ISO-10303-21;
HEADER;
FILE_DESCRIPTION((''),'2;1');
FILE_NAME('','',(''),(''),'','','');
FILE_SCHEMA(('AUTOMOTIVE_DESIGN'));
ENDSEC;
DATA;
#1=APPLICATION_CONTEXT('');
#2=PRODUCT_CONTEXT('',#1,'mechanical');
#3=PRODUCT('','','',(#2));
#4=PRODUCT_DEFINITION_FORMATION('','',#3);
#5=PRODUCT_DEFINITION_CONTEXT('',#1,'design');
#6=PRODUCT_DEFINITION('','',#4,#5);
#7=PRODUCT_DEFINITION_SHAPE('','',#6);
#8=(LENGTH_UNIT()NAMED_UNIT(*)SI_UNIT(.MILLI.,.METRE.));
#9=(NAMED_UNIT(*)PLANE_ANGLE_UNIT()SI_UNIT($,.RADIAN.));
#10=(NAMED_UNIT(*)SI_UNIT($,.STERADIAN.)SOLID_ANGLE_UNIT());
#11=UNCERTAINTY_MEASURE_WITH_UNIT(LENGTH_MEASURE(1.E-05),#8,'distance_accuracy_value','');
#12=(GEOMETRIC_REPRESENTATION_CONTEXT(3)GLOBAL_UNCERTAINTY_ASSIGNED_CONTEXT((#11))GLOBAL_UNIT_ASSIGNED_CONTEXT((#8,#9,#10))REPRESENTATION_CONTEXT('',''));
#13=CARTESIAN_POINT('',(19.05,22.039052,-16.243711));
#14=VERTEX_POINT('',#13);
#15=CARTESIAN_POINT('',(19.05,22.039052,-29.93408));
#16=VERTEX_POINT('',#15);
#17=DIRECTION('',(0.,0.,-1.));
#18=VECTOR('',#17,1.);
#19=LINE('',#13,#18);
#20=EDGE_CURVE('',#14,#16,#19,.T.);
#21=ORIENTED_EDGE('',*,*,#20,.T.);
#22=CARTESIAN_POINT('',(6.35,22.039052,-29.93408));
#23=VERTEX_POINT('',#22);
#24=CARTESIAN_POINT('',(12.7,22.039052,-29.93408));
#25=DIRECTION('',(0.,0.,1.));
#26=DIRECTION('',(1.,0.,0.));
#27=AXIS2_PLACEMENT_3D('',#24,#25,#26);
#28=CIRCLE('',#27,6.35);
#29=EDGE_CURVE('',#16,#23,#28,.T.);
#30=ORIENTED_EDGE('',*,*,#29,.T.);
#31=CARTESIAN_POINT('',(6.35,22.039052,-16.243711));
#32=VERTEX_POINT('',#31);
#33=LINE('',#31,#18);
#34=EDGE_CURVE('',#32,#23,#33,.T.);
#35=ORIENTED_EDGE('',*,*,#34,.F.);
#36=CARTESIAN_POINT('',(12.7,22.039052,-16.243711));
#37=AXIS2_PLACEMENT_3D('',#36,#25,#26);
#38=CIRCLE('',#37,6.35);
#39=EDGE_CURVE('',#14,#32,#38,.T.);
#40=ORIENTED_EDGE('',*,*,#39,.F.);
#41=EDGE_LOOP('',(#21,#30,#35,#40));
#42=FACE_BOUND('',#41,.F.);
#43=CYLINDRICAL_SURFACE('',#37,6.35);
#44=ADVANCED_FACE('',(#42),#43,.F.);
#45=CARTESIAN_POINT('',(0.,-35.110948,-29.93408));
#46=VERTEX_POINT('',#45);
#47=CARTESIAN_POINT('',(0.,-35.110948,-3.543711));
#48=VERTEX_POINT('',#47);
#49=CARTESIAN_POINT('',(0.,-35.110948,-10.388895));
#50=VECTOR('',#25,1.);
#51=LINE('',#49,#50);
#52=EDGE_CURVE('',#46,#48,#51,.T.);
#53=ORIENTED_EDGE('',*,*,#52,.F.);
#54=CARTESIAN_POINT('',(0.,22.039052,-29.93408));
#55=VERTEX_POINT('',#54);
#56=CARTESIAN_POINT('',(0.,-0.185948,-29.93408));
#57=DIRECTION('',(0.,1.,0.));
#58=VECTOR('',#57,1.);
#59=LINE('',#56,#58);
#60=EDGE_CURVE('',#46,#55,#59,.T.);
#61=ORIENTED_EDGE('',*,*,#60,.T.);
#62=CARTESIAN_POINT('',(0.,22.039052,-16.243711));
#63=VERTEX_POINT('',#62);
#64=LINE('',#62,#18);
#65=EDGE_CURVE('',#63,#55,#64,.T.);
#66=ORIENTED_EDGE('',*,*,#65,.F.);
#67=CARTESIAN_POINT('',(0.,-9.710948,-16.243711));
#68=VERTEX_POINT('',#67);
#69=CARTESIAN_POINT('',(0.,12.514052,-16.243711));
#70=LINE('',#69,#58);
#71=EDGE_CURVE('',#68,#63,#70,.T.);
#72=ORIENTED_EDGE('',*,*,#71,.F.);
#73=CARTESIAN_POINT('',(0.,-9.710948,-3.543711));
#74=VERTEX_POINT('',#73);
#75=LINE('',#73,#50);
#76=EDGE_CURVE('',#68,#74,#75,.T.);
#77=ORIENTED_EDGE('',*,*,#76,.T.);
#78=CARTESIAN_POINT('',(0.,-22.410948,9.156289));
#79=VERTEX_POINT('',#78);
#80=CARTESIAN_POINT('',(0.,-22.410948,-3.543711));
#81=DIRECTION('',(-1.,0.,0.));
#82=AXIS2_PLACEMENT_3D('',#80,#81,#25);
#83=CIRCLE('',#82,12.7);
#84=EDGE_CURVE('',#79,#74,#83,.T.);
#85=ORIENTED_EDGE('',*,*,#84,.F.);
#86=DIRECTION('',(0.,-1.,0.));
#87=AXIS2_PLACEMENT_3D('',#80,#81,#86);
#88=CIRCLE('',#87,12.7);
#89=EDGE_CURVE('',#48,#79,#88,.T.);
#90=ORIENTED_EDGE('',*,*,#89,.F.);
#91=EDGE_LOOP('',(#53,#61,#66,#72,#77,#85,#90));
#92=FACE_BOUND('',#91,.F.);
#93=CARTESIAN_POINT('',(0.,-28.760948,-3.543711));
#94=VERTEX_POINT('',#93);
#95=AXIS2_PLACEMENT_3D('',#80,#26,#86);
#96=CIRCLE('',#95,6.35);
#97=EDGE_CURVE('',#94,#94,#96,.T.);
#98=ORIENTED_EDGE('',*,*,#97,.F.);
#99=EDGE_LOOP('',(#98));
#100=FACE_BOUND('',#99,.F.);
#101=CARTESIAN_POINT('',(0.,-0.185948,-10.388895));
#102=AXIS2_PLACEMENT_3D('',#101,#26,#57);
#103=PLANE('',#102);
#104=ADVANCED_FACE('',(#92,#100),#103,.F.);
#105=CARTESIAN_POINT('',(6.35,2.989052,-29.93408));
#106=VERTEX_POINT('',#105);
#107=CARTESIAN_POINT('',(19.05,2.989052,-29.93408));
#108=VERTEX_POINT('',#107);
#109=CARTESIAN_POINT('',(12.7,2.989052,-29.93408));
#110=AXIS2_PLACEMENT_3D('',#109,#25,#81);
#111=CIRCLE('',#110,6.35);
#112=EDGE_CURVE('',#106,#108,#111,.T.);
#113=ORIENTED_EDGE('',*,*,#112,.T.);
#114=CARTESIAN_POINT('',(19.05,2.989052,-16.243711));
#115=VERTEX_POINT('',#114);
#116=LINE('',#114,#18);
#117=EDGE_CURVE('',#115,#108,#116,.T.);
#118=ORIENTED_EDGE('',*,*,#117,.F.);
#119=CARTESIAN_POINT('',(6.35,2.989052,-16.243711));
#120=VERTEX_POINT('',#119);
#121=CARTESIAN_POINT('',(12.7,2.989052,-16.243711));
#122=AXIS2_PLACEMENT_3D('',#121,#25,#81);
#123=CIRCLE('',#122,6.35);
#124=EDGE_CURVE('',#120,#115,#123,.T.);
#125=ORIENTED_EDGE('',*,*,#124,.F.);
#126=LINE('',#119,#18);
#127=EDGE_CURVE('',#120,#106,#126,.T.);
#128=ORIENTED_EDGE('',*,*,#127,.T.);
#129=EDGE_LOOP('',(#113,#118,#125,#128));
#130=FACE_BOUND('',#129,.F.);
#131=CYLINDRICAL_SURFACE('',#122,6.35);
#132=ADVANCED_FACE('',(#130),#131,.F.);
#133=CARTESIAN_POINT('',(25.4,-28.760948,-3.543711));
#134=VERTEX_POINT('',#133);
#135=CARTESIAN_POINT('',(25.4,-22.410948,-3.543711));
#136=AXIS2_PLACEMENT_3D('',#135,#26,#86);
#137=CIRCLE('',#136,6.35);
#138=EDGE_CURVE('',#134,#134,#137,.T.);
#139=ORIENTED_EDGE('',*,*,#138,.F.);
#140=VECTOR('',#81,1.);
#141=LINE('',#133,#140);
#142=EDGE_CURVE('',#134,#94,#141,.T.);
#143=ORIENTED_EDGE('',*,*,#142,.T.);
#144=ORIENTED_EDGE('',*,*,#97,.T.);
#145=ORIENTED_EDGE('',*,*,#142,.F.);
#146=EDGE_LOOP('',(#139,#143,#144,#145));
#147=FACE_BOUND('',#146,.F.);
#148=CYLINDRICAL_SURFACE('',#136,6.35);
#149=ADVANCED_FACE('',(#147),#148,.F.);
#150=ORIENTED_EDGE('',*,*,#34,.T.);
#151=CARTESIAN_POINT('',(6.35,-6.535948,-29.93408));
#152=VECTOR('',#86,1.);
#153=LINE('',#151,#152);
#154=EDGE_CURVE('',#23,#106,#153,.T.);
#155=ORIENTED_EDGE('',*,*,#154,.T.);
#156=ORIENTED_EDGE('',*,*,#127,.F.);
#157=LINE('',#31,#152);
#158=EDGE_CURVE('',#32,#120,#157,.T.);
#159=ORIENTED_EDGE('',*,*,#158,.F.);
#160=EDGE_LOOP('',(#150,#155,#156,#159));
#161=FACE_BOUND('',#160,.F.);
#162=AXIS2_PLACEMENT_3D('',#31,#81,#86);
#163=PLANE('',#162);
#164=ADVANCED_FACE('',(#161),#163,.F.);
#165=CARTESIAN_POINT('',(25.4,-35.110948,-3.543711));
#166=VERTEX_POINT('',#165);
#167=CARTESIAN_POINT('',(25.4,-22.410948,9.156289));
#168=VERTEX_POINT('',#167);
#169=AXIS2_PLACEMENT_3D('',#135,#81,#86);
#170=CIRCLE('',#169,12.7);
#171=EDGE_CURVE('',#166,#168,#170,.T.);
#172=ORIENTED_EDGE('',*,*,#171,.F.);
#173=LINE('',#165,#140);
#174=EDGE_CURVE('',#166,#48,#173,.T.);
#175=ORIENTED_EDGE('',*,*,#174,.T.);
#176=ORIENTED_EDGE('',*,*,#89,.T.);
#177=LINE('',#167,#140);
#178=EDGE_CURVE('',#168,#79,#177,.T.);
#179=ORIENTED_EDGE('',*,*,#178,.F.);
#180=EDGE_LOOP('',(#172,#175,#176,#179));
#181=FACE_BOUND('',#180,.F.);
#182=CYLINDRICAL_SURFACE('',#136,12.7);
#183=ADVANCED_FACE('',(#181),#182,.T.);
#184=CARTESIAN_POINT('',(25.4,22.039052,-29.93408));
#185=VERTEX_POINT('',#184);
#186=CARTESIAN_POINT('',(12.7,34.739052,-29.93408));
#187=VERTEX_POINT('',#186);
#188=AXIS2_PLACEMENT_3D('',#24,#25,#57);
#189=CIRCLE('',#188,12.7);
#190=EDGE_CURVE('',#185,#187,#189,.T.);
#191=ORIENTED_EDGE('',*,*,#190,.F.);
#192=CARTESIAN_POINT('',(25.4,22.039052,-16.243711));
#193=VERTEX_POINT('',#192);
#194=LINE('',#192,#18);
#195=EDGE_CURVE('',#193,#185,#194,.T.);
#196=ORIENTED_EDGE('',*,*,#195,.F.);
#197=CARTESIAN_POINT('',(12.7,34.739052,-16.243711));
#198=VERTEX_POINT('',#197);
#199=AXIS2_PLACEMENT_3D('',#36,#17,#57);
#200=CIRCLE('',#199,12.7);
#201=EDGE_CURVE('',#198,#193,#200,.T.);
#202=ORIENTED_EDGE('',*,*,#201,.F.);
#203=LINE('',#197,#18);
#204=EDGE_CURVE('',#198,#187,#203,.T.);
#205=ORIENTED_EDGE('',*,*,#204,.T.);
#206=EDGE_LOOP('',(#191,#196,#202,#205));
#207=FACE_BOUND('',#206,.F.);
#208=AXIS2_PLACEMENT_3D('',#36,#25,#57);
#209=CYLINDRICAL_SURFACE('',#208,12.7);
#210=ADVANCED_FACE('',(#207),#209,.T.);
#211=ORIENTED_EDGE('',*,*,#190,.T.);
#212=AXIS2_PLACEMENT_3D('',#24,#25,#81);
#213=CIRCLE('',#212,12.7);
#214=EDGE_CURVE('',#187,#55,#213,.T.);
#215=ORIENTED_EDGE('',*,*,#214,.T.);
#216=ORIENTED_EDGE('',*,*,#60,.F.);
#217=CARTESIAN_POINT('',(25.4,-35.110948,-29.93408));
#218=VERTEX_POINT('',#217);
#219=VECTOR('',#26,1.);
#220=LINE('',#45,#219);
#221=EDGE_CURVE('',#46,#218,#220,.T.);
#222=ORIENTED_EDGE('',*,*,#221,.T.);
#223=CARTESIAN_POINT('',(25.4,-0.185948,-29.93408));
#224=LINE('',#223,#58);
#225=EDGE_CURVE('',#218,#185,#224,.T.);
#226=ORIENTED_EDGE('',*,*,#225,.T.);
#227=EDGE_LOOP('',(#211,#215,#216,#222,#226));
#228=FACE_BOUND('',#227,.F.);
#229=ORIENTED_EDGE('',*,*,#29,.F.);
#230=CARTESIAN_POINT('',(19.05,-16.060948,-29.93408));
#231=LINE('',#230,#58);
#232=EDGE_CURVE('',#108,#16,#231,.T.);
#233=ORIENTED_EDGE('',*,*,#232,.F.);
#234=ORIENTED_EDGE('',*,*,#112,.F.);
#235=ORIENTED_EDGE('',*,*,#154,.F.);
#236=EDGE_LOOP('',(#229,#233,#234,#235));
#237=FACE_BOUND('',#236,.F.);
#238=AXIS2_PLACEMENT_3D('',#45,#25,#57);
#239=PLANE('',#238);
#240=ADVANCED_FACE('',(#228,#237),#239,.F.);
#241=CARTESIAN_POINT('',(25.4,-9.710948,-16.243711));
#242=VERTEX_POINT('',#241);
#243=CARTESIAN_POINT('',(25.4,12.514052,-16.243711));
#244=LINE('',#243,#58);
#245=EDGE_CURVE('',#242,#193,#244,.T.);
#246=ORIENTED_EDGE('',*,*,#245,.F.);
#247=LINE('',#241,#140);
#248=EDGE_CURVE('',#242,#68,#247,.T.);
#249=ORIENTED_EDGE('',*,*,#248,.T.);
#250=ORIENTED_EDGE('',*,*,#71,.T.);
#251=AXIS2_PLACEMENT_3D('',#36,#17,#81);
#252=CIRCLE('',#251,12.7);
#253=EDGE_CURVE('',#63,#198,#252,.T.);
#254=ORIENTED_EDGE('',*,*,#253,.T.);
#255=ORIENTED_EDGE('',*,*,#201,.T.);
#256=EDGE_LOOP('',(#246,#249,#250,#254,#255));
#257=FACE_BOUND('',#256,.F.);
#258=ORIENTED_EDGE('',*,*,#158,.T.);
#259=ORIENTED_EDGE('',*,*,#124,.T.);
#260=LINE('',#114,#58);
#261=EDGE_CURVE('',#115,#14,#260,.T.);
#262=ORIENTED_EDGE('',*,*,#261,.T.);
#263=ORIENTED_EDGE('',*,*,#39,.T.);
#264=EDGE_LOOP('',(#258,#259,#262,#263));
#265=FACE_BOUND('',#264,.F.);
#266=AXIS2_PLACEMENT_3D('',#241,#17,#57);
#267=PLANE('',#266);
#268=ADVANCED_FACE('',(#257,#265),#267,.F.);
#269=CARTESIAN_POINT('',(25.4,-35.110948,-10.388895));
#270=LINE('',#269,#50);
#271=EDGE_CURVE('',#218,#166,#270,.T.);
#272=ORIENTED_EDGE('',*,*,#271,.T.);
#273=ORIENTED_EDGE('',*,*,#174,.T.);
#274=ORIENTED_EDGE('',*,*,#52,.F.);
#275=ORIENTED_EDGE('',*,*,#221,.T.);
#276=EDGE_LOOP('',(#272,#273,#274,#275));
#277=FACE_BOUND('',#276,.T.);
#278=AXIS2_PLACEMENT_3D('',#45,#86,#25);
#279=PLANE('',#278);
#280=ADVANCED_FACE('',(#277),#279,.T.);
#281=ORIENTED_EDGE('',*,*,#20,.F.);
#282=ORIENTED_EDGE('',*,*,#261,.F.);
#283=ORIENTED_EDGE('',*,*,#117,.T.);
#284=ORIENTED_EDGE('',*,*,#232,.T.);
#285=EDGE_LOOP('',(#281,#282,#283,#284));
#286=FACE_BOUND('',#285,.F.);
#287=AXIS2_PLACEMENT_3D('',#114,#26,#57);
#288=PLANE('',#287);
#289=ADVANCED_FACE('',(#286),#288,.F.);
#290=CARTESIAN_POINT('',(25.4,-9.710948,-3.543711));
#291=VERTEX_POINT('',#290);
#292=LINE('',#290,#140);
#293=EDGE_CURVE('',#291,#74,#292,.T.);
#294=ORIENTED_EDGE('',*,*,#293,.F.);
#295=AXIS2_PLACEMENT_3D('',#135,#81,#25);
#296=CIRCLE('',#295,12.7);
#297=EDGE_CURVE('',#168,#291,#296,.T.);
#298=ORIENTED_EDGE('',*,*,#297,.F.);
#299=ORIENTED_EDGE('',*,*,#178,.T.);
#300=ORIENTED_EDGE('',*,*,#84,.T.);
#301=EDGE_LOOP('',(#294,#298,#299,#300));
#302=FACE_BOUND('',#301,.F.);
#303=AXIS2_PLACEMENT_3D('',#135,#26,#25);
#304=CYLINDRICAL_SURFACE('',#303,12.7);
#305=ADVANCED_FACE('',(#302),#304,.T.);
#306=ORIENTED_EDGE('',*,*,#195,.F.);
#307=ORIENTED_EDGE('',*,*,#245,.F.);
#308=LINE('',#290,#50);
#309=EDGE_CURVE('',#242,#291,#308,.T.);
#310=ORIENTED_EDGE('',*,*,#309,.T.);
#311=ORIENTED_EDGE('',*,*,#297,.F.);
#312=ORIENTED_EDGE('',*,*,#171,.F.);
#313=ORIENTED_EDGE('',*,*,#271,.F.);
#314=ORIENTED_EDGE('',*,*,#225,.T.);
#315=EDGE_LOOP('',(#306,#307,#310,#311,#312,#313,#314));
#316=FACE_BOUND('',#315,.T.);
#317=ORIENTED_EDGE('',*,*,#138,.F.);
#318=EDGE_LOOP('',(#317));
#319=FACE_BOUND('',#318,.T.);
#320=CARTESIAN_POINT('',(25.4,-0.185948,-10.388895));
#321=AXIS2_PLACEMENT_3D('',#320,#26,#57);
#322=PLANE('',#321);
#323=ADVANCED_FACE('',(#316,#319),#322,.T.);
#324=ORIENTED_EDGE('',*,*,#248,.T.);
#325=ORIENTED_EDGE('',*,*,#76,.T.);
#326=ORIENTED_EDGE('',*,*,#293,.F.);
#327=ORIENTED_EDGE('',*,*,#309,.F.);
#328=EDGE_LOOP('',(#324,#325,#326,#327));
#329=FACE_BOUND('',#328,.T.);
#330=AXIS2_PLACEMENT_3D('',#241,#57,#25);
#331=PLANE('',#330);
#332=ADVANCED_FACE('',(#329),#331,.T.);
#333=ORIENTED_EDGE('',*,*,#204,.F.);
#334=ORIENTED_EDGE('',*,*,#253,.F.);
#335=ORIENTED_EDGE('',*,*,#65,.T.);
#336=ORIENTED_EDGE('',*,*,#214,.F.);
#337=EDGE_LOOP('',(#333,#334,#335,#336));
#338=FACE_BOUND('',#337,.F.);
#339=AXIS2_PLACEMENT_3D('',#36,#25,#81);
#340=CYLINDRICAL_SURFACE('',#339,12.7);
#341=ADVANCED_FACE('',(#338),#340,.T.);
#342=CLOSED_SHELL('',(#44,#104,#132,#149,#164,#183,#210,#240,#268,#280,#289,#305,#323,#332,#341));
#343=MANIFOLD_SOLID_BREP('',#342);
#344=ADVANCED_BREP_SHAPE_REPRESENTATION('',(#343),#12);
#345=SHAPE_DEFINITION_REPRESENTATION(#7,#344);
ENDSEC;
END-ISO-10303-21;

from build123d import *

# Parameters (mm, degrees)
F0_W     = 69.85
F0_H     = 39.0903693825
F1_DEPTH = 25.4
F2_W     = 44.45
F2_H     = 25.4
F3_DEPTH = 25.4
F5_DEPTH = 25.4
F7_DEPTH = 25.4


with BuildPart() as f1:
    # F0 (on Right) → F1 (new body)
    with BuildSketch(Plane.YZ):
        with Locations((-0.1859475348, -10.3888954036)):
            Rectangle(F0_W, F0_H)
    extrude(amount=F1_DEPTH)

    # F2 (on face) → F3 (cut)
    with BuildSketch(Plane.YZ.offset(25.4)):
        with Locations((12.5140524652, -3.5437107123)):
            Rectangle(F2_W, F2_H)
    extrude(amount=-F3_DEPTH, mode=Mode.SUBTRACT)

    # F4 (on face) → F5 (cut)
    with BuildSketch(Plane.YZ.offset(25.4)):
        with BuildLine():
            Line((-9.7109475348, 9.1562892877), (-22.4109475348, 9.1562892877))
            ThreePointArc((-22.4109475348, 9.1562892877), (-13.4306914137, 5.4365454087), (-9.7109475348, -3.5437107123))
            Line((-9.7109475348, -3.5437107123), (-9.7109475348, 9.1562892877))
        make_face()
        with BuildLine():
            Line((-22.4109475348, 9.1562892877), (-35.1109475348, 9.1562892877))
            Line((-35.1109475348, 9.1562892877), (-35.1109475348, -3.5437107123))
            ThreePointArc((-35.1109475348, -3.5437107123), (-31.3912036558, 5.4365454087), (-22.4109475348, 9.1562892877))
        make_face()
        with BuildLine():
            ThreePointArc((-16.0609475348, -3.5437107123), (-22.4109475348, 2.8062892877), (-28.7609475348, -3.5437107123))
            Line((-28.7609475348, -3.5437107123), (-16.0609475348, -3.5437107123))
        make_face()
        with BuildLine():
            Line((-16.0609475348, -3.5437107123), (-28.7609475348, -3.5437107123))
            ThreePointArc((-28.7609475348, -3.5437107123), (-22.4109475348, -9.8937107123), (-16.0609475348, -3.5437107123))
        make_face()
    extrude(amount=-F5_DEPTH, mode=Mode.SUBTRACT)

    # F6 (on face) → F7 (cut)
    with BuildSketch(Plane.XY.offset(-16.2437107123)):
        with BuildLine():
            Line((12.7, 34.7390524652), (0, 34.7390524652))
            Line((0, 34.7390524652), (0, 22.0390524652))
            ThreePointArc((0, 22.0390524652), (3.7197438789, 31.0193085863), (12.7, 34.7390524652))
        make_face()
        with BuildLine():
            Line((25.4, 34.7390524652), (12.7, 34.7390524652))
            ThreePointArc((12.7, 34.7390524652), (21.6802561211, 31.0193085863), (25.4, 22.0390524652))
            Line((25.4, 22.0390524652), (25.4, 34.7390524652))
        make_face()
        with BuildLine():
            ThreePointArc((19.05, 22.0390524652), (12.7, 28.3890524652), (6.35, 22.0390524652))
            Line((6.35, 22.0390524652), (19.05, 22.0390524652))
        make_face()
        Polygon((19.05, 22.0390524652), (6.35, 22.0390524652), (6.35, 11.0405298372), (6.35, 2.9890524652), (19.05, 2.9890524652), (19.05, 11.0405298372), align=None)
        with BuildLine():
            Line((19.05, 2.9890524652), (6.35, 2.9890524652))
            ThreePointArc((6.35, 2.9890524652), (12.7, -3.3609475348), (19.05, 2.9890524652))
        make_face()
    extrude(amount=-F7_DEPTH, mode=Mode.SUBTRACT)


solid = f1.part
